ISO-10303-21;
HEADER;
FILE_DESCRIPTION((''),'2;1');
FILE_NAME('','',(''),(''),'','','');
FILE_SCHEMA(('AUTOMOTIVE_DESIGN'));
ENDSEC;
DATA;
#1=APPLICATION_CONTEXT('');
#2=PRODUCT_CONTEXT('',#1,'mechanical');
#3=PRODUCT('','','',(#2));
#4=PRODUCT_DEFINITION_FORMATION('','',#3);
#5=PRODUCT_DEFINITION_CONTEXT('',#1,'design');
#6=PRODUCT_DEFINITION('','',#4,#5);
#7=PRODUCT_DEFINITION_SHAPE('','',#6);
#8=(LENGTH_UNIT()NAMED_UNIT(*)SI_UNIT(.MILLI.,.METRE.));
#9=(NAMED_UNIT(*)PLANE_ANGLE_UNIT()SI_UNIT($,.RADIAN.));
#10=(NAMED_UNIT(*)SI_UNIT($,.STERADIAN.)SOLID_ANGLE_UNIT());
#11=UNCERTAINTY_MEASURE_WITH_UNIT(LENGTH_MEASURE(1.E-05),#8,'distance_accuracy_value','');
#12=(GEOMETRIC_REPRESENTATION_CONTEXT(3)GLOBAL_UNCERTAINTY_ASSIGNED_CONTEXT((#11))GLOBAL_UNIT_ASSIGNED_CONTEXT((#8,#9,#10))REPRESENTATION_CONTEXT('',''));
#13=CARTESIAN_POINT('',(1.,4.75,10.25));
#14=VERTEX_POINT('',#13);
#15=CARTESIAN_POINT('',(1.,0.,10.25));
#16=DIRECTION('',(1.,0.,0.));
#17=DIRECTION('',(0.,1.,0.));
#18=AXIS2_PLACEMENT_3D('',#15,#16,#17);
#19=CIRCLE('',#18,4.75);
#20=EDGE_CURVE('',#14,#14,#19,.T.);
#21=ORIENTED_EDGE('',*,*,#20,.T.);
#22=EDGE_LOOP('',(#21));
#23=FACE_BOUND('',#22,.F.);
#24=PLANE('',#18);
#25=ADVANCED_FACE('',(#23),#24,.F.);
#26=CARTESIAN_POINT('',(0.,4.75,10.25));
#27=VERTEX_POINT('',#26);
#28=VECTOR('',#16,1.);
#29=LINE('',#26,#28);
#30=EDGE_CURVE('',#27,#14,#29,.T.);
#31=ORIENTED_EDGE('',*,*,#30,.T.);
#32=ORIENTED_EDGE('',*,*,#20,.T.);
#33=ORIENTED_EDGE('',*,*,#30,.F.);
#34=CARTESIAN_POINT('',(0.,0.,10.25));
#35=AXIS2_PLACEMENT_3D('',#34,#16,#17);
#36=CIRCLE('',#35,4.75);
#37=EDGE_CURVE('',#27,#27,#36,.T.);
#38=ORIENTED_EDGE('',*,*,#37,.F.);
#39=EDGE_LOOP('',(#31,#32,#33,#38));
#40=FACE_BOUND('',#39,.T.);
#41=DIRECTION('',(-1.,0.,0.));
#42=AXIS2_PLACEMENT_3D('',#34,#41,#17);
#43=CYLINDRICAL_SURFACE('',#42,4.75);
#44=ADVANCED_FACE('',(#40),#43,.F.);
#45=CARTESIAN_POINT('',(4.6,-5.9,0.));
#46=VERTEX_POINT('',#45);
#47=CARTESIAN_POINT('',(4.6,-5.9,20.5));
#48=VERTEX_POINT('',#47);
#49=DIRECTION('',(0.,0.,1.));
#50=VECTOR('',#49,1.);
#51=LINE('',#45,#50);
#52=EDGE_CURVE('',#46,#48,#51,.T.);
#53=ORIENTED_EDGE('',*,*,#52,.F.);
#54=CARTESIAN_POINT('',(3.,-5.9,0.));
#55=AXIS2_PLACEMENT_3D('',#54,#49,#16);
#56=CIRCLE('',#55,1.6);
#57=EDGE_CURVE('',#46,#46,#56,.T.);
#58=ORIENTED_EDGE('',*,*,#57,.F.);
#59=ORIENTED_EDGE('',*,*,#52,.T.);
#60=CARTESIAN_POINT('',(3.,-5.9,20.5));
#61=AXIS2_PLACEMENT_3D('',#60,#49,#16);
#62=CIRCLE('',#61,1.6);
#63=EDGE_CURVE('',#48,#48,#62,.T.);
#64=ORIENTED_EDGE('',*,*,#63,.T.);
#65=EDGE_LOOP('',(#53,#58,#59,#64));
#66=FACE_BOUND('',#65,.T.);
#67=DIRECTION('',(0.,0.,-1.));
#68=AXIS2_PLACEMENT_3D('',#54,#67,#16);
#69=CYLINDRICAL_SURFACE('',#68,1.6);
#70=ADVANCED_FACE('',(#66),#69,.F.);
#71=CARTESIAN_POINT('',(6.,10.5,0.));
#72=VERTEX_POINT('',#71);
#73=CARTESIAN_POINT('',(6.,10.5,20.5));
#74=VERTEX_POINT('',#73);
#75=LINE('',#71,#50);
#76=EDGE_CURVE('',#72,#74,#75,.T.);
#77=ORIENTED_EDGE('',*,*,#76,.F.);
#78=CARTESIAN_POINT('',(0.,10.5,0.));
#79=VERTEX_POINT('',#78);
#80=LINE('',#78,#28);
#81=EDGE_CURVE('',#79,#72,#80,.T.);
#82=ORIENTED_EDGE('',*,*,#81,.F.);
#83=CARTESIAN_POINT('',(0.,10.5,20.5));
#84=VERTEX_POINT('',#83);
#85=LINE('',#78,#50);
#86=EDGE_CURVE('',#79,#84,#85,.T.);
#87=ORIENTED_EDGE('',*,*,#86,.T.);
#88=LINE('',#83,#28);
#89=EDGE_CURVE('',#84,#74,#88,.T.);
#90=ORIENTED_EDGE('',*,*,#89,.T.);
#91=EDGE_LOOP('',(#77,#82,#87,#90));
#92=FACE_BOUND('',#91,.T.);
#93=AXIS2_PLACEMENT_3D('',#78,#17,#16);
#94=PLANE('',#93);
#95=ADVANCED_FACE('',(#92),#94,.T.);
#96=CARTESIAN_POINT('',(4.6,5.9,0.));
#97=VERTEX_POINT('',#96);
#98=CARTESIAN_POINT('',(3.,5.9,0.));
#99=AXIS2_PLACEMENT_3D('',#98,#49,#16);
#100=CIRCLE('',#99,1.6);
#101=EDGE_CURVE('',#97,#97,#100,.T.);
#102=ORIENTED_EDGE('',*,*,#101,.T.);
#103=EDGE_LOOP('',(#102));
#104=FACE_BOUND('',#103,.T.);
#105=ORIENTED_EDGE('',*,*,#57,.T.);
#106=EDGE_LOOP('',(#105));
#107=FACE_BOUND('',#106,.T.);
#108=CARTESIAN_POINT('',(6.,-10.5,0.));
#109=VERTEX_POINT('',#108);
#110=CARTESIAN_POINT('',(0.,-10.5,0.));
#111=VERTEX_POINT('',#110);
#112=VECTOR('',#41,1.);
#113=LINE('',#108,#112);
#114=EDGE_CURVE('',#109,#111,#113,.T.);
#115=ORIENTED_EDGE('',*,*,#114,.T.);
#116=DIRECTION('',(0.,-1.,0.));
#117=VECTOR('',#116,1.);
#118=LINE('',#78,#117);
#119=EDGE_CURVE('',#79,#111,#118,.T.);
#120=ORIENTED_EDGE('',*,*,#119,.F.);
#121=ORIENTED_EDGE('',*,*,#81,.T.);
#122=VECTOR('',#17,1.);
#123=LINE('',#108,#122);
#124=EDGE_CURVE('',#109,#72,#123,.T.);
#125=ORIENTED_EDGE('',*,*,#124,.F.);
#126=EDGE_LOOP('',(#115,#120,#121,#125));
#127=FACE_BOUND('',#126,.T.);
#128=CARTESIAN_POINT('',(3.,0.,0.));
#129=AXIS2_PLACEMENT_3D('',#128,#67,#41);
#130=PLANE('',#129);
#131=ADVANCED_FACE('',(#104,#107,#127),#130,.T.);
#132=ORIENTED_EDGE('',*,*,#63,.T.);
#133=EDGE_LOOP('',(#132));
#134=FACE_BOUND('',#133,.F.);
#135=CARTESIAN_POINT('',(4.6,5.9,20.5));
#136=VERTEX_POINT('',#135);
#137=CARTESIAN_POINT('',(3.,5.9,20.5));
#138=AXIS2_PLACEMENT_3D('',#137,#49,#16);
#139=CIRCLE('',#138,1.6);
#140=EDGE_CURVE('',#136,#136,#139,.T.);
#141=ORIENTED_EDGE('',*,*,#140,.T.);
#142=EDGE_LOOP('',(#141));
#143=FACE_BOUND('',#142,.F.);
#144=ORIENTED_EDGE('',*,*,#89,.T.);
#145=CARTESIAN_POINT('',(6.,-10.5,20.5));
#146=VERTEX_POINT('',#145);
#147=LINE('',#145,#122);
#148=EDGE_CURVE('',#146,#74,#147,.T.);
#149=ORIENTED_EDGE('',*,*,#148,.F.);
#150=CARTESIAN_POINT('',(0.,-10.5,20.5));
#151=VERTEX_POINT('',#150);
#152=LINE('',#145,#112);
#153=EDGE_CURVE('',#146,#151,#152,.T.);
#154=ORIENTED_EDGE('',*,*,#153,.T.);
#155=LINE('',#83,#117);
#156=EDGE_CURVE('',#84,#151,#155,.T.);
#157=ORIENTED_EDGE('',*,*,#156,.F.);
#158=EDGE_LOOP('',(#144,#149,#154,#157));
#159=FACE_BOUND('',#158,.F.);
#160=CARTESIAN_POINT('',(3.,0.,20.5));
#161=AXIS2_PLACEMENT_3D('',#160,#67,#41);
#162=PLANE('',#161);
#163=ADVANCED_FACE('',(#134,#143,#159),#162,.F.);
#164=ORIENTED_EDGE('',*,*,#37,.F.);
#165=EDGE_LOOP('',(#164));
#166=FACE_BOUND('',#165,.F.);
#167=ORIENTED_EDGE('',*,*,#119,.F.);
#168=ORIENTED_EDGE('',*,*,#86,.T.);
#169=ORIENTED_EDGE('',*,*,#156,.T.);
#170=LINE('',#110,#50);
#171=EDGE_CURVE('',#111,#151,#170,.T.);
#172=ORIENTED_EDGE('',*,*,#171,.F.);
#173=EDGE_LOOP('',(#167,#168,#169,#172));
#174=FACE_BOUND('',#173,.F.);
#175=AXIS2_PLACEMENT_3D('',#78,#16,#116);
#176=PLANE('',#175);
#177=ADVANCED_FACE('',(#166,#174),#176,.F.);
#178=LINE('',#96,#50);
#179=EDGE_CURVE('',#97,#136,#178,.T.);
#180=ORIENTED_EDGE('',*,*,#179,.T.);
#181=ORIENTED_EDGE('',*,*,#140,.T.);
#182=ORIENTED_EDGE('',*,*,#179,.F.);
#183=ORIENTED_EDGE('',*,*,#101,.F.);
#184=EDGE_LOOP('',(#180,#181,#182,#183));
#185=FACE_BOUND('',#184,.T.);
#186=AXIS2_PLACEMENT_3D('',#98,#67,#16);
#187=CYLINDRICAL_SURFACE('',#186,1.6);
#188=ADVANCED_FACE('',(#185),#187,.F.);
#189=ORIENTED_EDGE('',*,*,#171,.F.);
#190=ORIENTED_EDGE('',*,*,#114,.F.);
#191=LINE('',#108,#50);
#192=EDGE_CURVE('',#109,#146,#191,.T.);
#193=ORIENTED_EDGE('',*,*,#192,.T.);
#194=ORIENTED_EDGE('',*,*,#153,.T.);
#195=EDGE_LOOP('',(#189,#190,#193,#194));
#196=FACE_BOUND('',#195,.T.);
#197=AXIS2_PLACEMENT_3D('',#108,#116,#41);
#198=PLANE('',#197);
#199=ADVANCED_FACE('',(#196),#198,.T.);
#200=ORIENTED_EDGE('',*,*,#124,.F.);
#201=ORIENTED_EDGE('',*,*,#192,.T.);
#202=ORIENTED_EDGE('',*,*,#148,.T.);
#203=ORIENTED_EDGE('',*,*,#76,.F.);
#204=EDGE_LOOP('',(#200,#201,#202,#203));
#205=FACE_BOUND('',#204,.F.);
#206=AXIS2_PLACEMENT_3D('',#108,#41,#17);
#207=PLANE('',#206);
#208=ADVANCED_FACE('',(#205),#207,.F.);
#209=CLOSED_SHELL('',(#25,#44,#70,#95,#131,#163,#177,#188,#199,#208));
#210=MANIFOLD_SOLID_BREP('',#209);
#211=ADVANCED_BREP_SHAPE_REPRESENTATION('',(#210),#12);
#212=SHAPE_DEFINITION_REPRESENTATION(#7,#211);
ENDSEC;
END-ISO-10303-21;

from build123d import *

# Parameters (mm, degrees)
SKETCH_R     = 1.6
PAD_DEPTH    = 20.5
SKETCH001_R  = 4.75
POCKET_DEPTH = 1


with BuildPart() as part:
    # Sketch → Pad (new body)
    with BuildSketch(Plane.XY):
        Polygon((0, 0), (0, 10.5), (6, 10.5), (6, 0), (6, -10.5), (0, -10.5), align=None)
        with Locations((3, 5.9)):
            Circle(SKETCH_R, mode=Mode.SUBTRACT)
        with Locations((3, -5.9)):
            Circle(SKETCH_R, mode=Mode.SUBTRACT)
    extrude(amount=PAD_DEPTH)

    # Sketch001 → Pocket (cut)
    with BuildSketch(Plane.YZ):
        with Locations((0, 10.25)):
            Circle(SKETCH001_R)
    extrude(amount=POCKET_DEPTH, mode=Mode.SUBTRACT)


solid = part.part
